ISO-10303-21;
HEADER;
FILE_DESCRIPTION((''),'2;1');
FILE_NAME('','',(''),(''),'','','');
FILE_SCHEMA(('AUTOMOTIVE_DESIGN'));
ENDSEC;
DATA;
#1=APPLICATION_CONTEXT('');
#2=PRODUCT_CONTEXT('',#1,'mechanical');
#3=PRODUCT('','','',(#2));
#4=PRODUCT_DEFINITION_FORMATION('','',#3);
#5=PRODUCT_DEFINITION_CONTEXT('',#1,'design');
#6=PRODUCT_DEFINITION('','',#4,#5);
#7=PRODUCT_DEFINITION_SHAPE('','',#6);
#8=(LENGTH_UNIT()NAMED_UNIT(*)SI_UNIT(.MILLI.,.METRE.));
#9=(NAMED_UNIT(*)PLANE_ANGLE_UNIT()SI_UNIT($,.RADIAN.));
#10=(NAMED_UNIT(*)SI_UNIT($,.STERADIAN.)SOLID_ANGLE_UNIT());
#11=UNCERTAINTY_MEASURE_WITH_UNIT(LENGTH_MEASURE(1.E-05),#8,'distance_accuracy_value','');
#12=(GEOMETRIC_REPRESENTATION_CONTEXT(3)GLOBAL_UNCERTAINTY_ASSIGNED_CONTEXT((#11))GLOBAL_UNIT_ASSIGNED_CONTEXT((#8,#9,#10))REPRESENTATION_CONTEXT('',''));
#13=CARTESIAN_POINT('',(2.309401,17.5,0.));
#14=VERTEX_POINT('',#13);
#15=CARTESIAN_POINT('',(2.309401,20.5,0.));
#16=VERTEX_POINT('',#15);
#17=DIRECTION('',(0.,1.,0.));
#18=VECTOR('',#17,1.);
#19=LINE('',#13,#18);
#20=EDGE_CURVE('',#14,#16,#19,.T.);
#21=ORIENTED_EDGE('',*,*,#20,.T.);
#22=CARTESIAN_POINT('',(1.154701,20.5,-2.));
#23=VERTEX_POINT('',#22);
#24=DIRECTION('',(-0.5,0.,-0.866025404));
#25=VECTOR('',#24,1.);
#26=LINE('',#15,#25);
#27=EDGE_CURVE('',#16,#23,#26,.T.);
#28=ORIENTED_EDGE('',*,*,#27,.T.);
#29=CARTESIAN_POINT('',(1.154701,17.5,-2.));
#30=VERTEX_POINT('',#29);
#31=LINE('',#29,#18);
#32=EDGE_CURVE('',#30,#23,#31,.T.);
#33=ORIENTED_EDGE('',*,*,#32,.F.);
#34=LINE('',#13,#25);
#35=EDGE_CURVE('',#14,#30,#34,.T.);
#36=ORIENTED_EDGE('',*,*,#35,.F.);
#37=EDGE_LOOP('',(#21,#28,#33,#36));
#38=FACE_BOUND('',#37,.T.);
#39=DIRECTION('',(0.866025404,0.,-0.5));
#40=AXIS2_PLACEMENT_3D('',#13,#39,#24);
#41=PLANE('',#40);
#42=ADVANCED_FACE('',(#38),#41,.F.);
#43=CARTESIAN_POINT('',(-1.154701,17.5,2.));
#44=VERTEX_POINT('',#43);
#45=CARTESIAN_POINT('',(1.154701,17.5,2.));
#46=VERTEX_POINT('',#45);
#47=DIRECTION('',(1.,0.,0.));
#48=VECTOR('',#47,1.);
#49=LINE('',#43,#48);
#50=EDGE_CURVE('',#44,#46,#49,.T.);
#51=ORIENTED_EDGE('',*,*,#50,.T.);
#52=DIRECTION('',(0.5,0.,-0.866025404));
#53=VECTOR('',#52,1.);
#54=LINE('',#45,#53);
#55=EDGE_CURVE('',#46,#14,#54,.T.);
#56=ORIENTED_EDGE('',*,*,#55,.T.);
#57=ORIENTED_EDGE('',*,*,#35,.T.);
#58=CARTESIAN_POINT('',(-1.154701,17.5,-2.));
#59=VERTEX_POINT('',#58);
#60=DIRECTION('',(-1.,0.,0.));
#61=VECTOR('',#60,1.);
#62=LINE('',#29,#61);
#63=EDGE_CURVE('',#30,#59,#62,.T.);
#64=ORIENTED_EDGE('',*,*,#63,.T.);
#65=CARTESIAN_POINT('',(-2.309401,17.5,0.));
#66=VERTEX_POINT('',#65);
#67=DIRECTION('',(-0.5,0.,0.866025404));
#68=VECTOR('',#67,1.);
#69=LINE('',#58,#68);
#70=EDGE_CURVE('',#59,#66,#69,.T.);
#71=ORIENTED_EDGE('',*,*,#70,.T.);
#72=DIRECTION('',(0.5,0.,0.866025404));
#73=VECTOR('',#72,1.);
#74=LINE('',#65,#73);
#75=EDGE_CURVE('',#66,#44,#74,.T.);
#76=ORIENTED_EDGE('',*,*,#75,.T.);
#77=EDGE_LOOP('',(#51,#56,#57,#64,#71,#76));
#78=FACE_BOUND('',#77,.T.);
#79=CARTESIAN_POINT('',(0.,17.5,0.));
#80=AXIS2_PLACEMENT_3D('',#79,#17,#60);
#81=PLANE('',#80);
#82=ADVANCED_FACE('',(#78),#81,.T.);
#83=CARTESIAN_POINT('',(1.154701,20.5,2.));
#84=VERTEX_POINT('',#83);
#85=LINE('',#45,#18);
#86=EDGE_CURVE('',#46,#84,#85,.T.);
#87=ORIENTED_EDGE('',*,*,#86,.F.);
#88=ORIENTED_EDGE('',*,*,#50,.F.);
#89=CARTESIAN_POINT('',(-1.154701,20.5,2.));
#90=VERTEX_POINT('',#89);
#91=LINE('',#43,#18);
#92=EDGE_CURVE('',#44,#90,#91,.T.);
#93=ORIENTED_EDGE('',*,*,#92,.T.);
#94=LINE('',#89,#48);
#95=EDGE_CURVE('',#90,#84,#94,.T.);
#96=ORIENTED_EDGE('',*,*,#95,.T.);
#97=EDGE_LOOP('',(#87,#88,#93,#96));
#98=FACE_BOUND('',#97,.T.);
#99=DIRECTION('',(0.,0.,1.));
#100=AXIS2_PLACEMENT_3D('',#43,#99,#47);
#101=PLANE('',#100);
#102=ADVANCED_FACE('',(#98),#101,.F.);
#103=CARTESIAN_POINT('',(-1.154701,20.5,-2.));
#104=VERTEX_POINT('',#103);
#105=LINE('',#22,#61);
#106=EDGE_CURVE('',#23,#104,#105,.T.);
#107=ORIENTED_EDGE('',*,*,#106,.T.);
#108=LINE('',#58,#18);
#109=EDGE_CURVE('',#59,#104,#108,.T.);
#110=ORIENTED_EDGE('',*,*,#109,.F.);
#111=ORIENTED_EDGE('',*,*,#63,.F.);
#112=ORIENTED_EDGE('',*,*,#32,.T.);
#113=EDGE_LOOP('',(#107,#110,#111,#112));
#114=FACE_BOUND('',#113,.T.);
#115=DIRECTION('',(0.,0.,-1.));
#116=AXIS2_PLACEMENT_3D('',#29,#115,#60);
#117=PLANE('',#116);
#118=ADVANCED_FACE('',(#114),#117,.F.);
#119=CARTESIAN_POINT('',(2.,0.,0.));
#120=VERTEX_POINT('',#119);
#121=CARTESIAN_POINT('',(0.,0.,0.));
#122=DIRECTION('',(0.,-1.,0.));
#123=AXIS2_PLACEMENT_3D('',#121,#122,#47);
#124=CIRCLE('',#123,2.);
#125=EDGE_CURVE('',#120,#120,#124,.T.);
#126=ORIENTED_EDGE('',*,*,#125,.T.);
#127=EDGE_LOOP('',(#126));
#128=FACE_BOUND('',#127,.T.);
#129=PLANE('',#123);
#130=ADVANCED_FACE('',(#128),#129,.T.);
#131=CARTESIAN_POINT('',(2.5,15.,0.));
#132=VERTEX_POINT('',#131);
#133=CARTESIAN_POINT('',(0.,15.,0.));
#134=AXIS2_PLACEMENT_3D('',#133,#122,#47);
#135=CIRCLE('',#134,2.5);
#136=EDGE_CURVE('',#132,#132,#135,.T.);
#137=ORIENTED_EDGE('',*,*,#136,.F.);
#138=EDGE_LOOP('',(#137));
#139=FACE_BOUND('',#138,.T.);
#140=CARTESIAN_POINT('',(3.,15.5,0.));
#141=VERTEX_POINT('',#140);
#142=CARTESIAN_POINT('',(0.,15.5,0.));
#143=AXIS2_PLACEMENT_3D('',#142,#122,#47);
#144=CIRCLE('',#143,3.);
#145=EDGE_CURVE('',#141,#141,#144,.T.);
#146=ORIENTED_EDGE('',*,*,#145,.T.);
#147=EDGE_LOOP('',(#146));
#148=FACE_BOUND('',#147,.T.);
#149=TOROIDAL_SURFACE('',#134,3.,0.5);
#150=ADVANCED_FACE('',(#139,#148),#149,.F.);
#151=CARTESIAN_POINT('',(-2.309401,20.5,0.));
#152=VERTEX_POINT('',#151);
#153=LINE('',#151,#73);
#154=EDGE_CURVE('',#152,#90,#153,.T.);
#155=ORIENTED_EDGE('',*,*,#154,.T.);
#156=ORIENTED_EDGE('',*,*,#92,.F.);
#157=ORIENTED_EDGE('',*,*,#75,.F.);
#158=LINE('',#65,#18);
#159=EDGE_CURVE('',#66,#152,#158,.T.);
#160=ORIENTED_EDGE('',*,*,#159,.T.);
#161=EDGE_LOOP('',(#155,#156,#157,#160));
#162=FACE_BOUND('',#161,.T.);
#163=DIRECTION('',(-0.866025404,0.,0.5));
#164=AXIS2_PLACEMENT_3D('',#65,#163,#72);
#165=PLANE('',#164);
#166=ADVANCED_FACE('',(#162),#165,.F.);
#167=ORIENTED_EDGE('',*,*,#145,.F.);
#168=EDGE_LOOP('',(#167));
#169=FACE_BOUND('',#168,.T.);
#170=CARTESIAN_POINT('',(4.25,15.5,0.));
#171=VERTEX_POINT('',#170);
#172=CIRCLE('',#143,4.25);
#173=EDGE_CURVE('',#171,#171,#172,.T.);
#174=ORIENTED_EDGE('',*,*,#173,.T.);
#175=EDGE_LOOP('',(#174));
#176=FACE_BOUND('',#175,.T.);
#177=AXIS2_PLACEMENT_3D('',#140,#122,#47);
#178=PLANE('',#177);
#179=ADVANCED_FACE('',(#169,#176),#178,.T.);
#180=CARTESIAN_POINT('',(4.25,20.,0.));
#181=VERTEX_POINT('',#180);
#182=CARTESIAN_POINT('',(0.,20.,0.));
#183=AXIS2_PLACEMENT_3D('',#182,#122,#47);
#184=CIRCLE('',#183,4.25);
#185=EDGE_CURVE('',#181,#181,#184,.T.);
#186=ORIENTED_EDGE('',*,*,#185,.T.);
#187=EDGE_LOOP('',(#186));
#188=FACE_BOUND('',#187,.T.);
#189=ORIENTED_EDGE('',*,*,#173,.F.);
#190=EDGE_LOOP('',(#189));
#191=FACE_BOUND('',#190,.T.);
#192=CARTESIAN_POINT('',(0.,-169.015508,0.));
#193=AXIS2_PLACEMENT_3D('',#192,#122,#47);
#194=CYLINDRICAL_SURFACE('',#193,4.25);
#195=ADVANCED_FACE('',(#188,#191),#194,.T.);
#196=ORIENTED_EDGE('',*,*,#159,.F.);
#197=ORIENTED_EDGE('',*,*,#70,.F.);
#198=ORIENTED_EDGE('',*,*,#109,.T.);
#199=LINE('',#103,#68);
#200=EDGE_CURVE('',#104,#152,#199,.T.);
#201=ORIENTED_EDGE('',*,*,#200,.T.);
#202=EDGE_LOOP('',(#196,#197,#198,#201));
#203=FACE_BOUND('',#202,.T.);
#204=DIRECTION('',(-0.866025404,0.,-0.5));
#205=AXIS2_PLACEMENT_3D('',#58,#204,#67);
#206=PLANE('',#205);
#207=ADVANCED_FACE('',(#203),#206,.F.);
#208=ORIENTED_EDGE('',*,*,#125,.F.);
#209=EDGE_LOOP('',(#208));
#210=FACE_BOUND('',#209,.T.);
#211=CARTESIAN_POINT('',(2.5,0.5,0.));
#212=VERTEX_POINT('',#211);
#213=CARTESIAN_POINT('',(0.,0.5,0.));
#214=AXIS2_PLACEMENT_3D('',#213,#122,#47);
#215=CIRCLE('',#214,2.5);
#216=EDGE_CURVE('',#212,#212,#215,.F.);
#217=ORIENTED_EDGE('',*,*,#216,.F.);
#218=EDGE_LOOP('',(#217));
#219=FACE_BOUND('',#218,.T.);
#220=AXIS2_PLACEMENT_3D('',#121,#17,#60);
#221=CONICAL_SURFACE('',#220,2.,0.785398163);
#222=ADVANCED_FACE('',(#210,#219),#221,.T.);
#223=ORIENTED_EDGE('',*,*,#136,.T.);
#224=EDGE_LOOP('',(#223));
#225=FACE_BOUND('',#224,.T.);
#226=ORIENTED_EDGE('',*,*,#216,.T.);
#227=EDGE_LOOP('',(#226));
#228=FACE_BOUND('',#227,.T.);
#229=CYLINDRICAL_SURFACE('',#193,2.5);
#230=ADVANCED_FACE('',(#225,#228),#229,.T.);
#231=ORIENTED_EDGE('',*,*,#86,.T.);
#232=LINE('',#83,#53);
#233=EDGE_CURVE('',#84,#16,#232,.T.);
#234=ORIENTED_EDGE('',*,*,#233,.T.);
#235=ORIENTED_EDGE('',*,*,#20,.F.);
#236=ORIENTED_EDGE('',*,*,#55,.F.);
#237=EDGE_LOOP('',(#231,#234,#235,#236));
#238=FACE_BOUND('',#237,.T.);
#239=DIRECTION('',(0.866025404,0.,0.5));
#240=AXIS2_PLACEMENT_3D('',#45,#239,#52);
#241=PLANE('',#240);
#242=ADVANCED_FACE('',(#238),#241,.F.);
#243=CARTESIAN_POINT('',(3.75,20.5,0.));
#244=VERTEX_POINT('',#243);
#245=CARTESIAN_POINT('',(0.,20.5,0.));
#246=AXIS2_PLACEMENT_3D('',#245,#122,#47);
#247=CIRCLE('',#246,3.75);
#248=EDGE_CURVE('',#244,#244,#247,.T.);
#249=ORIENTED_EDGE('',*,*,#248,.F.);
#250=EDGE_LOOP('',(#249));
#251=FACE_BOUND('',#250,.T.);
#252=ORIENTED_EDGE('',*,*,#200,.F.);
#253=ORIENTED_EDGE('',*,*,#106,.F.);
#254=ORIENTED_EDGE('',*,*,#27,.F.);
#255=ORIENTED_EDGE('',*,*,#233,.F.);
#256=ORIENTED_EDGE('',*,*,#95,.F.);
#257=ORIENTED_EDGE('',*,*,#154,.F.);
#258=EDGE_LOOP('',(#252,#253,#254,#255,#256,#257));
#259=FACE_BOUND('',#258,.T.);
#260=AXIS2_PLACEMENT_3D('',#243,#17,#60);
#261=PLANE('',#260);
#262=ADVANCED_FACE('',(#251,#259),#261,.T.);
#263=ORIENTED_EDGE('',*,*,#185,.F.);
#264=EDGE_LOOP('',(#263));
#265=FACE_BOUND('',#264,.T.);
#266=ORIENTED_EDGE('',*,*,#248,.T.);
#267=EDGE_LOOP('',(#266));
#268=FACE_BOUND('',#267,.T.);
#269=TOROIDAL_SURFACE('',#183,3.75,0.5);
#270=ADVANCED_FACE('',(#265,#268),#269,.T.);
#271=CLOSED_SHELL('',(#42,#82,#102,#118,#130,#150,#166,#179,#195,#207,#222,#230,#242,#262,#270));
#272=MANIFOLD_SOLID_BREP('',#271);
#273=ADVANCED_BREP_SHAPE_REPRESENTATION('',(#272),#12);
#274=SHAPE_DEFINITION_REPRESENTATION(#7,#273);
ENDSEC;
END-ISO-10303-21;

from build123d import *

# Parameters (mm, degrees)
CHAMFER_1_SIZE      = 0.5
CUT_EXTRUDE_1_DEPTH = 3


with BuildPart() as part:
    # Эскиз1 → Повернуть1 (revolve)
    with BuildSketch(Plane.XY):
        with BuildLine():
            Line((0, 0), (2.5, 0))
            Line((2.5, 0), (2.5, 15))
            ThreePointArc((2.5, 15), (2.646446609, 15.353553391), (3, 15.5))
            Line((3, 15.5), (4.25, 15.5))
            Line((4.25, 15.5), (4.25, 20))
            ThreePointArc((4.25, 20), (4.103553391, 20.353553391), (3.75, 20.5))
            Line((3.75, 20.5), (0, 20.5))
            Line((0, 20.5), (0, 0))
        make_face()
    revolve(axis=Axis((0, -169.015508263, 0), (0, 1, 0)))

    # Фаска1
    chamfer_1_edges = [part.edges().sort_by_distance(p)[0] for p in [
        (-2.5, 0, 0),
    ]]
    chamfer(chamfer_1_edges, length=CHAMFER_1_SIZE)

    # Эскиз2 → Вырез-Вытянуть1 (cut)
    with BuildSketch(Plane(origin=(0, 20.5, 0), x_dir=(1, 0, 0), z_dir=(0, 1, 0))):
        Polygon((2.309401077, 0), (1.154700538, 2), (-1.154700538, 2), (-2.309401077, 0), (-1.154700538, -2), (1.154700538, -2), align=None)
    extrude(amount=-CUT_EXTRUDE_1_DEPTH, mode=Mode.SUBTRACT)


solid = part.part
